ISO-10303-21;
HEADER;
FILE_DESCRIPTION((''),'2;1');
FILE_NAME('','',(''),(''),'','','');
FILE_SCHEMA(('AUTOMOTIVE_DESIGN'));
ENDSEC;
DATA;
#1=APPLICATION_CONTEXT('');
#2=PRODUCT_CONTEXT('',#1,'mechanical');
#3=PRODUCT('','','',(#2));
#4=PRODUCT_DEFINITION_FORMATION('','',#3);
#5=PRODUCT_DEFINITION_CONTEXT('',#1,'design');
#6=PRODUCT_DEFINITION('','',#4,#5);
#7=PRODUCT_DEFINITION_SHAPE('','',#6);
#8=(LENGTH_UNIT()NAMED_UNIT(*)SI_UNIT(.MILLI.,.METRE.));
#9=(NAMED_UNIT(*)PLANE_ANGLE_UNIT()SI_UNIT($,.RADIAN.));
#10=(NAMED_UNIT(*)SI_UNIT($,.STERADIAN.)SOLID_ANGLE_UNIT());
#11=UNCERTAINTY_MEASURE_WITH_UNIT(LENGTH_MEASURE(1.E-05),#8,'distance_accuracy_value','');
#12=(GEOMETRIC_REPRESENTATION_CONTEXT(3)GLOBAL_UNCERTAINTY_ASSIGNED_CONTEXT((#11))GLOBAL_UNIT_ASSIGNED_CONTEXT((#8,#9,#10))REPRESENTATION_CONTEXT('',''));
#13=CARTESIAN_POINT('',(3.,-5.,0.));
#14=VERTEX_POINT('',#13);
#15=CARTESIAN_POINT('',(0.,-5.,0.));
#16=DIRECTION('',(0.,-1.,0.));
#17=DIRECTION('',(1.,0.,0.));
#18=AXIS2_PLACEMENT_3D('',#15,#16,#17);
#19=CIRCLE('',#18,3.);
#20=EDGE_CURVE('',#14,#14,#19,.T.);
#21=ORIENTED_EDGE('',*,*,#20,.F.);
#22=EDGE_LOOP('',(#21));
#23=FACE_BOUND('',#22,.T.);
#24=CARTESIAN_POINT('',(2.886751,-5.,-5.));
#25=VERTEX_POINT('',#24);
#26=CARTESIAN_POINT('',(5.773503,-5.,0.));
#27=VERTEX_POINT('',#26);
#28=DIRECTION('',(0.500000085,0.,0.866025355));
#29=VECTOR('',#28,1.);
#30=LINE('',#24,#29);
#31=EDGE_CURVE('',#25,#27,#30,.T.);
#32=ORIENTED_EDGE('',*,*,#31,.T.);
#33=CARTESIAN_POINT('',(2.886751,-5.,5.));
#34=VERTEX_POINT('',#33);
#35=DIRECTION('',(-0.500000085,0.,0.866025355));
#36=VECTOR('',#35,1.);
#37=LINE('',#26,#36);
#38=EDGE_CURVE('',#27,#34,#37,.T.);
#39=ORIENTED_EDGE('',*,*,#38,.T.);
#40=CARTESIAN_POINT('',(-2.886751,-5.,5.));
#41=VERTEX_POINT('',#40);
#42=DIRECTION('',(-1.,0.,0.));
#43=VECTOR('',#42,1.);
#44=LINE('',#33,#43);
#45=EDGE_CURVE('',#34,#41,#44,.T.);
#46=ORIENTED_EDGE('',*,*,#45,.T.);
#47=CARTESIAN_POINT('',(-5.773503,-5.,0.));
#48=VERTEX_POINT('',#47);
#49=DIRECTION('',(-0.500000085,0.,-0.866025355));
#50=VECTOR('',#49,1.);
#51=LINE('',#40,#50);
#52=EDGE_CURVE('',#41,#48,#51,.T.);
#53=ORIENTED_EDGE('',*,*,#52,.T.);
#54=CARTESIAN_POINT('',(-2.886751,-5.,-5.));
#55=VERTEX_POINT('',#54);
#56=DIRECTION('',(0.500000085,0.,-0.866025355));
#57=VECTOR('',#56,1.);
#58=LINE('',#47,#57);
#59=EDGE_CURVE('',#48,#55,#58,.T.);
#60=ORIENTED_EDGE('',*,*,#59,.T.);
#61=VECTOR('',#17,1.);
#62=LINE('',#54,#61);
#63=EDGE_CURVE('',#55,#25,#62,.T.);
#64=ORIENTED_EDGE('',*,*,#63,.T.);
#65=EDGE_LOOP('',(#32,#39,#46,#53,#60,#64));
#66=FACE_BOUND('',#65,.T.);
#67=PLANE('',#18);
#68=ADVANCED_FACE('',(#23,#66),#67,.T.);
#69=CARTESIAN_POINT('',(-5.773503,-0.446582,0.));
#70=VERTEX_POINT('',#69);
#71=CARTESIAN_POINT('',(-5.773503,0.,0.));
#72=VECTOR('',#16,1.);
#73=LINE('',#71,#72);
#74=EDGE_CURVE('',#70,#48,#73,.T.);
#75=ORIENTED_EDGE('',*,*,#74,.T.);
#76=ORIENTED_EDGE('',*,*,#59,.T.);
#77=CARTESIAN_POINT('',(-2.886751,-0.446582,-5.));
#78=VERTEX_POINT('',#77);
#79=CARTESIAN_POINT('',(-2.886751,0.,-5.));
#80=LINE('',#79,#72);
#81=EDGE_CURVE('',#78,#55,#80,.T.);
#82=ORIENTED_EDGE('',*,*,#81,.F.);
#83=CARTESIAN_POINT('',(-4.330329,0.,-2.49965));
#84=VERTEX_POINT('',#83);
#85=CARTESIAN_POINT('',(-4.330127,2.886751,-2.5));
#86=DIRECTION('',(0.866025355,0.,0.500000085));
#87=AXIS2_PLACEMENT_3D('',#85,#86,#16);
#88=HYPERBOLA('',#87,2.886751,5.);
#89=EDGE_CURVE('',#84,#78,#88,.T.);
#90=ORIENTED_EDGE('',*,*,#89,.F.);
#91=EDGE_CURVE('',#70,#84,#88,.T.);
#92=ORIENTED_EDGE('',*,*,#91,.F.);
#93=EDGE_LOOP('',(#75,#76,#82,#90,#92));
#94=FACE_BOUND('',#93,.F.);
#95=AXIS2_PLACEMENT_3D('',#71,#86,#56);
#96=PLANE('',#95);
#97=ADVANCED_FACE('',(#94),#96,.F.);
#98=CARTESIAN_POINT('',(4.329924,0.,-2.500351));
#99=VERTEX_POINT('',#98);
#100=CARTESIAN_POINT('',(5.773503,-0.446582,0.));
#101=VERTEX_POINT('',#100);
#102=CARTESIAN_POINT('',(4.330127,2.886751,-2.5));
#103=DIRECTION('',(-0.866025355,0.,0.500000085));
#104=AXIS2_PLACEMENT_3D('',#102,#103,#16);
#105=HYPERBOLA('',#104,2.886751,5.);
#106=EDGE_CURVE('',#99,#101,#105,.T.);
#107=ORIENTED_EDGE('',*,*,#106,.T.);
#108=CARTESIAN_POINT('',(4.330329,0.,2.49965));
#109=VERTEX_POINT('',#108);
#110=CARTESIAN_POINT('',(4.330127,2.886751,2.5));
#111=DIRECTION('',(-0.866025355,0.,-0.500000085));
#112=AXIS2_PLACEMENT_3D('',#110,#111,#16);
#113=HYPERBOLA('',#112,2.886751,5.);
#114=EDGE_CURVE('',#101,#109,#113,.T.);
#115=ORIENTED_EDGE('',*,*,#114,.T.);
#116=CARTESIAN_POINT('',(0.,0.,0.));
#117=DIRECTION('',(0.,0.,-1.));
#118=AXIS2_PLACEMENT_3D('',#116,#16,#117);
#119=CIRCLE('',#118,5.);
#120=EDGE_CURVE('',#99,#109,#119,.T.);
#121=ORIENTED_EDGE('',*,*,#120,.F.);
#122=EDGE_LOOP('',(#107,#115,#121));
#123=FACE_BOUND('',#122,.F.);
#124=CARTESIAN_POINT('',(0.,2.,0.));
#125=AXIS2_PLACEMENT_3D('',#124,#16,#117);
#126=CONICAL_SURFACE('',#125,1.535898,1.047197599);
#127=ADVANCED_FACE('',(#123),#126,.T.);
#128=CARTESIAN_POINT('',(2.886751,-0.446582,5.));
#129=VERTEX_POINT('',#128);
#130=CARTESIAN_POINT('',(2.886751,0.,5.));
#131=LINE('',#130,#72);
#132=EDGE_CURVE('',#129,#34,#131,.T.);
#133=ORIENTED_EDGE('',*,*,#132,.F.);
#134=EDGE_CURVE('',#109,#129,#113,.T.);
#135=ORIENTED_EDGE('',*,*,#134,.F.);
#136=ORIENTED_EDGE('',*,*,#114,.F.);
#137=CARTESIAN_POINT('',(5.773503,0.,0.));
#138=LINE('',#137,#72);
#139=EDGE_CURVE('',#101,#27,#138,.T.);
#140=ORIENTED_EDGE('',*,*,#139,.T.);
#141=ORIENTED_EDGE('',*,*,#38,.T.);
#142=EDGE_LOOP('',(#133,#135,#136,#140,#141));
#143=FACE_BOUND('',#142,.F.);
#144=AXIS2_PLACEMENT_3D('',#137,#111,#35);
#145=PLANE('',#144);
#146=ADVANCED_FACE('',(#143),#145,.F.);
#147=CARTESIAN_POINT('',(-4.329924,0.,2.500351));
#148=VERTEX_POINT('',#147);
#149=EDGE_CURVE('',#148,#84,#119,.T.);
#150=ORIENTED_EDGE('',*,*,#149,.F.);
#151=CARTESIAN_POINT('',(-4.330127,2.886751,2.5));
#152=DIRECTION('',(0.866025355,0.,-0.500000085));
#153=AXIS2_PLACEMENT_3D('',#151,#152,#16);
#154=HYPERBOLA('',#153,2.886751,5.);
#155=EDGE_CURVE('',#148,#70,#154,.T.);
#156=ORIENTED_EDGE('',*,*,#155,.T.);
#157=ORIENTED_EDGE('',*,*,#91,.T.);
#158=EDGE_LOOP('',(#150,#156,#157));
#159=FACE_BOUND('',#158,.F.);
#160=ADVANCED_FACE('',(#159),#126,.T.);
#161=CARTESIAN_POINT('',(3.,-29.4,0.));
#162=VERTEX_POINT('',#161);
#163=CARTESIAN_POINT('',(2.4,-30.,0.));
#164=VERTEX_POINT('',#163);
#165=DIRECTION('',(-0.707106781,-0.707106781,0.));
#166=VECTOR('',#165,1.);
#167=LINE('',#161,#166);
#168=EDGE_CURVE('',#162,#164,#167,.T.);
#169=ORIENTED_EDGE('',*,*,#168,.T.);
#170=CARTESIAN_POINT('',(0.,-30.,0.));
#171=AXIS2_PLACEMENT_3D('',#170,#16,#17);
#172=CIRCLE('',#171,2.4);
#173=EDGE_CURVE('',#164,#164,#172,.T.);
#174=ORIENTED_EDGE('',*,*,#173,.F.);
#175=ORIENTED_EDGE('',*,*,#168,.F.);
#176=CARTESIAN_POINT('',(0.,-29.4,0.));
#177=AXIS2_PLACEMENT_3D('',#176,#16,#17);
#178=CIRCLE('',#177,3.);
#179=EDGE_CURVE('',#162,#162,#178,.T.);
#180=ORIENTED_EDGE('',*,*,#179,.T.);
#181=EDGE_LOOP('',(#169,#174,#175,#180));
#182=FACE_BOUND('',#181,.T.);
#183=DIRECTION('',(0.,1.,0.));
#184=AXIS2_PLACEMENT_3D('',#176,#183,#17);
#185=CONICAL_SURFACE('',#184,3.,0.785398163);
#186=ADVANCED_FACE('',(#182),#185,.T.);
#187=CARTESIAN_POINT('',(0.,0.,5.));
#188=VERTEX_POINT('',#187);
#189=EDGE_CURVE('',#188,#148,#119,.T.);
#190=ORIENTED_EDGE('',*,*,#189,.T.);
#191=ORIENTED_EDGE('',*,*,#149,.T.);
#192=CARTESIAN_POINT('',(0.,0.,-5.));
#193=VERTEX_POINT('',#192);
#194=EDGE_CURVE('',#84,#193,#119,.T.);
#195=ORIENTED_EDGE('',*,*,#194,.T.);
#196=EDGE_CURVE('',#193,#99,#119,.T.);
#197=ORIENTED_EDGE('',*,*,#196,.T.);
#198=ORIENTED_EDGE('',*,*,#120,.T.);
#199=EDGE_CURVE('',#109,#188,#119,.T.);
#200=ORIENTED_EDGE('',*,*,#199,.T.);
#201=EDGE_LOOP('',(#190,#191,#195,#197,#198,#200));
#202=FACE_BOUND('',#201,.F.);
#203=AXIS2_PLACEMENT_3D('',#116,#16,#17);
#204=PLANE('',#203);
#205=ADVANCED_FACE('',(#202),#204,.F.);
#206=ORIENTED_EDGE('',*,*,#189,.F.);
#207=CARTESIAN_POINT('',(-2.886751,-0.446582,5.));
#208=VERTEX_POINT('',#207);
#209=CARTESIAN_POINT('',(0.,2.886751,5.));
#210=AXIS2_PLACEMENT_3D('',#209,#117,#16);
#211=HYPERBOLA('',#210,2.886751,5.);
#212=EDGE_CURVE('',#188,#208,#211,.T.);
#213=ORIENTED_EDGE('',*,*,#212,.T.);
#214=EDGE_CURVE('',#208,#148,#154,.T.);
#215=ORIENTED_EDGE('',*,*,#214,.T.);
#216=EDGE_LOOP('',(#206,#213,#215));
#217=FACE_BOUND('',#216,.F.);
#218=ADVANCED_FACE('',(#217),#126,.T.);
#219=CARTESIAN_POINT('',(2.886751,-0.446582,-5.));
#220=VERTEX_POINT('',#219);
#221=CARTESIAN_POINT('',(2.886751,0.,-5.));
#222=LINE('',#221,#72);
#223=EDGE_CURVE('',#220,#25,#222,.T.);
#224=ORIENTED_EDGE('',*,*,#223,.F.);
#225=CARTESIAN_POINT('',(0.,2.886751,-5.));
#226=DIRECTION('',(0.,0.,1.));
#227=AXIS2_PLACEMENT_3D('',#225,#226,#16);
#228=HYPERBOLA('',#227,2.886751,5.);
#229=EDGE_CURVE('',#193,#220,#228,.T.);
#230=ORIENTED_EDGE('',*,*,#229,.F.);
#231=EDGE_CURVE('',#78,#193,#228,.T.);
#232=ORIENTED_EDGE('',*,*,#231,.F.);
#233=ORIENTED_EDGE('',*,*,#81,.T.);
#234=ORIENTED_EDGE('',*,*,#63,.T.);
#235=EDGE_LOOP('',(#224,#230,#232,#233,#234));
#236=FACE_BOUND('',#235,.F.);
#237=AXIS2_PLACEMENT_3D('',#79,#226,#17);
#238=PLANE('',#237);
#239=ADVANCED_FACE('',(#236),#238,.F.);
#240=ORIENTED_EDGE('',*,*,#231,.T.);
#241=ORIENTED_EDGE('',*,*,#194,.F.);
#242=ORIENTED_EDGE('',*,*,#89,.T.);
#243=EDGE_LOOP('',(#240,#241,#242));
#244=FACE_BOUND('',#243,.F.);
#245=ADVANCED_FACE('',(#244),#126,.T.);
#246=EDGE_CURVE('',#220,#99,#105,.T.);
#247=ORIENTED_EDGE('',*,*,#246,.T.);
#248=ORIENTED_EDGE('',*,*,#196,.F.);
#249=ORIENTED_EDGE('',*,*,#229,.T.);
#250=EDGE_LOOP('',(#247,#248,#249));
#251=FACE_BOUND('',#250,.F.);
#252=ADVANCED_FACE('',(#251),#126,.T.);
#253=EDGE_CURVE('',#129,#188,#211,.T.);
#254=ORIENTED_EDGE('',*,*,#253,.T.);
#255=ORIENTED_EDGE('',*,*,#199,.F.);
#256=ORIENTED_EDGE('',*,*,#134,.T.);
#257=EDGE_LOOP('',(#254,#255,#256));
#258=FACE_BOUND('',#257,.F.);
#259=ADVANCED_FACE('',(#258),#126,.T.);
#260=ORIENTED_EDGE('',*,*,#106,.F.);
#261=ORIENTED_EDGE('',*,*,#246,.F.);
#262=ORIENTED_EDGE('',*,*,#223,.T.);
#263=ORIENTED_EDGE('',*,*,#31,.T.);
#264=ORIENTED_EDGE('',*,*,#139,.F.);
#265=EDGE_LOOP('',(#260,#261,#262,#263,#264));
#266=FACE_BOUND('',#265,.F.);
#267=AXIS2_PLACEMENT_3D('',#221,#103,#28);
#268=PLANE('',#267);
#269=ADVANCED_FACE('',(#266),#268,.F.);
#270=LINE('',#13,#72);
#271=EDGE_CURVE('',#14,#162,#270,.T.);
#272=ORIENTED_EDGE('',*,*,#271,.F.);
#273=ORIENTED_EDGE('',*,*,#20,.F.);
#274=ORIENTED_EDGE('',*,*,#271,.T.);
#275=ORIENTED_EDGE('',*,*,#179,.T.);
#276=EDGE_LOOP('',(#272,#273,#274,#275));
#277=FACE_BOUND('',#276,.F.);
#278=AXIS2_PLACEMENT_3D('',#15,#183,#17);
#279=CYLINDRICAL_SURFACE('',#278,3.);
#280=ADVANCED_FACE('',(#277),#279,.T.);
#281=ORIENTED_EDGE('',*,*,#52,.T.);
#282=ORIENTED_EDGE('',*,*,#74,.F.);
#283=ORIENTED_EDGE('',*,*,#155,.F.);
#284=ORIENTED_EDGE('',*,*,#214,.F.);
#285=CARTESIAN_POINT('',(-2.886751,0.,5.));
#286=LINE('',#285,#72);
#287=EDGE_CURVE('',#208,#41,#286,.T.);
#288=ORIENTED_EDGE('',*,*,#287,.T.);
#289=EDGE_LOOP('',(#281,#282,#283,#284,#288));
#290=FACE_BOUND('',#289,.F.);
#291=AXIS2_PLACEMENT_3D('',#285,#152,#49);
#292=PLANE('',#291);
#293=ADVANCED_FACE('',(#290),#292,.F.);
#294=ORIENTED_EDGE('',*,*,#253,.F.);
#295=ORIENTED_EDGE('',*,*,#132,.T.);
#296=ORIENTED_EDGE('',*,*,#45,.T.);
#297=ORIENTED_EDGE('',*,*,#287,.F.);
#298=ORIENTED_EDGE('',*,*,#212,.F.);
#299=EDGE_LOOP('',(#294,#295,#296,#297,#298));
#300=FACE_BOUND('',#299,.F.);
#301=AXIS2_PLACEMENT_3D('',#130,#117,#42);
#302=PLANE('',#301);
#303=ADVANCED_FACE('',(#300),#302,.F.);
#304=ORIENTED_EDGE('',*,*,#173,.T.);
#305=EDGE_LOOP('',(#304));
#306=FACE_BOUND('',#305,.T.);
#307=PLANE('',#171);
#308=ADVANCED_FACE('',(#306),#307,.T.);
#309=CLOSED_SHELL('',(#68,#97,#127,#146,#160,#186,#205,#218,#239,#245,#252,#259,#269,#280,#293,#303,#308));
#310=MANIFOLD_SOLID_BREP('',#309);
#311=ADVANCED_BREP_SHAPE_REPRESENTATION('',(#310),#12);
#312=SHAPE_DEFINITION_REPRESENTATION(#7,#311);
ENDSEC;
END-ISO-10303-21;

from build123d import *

# Parameters (mm, degrees)
F1_DEPTH = 5
F2_R     = 3
F3_DEPTH = 25
F4_SIZE  = 0.6


with BuildPart() as f1:
    # F0 (on Front) → F1 (new body)
    with BuildSketch(Plane.XZ):
        Polygon((2.886751, -5), (5.773503, 0), (2.886751, 5), (-2.886751, 5), (-5.773503, 0), (-2.886751, -5), align=None)
    extrude(amount=F1_DEPTH)

    # F2 (on face) → F3 (join)
    with BuildSketch(Plane.XZ.offset(5)):
        Circle(F2_R)
    extrude(amount=F3_DEPTH)

    # F4
    f4_edges = [f1.edges().sort_by_distance(p)[0] for p in [
        (-3, -30, 0),
    ]]
    chamfer(f4_edges, length=F4_SIZE)

    # F5 (on Right) → F6 (revolve, cut)
    with BuildSketch(Plane.YZ):
        Polygon((2, -1.535898), (-2, -8.464102), (2, -8.464102), align=None)
    revolve(axis=Axis((0, -5, 0), (0, 1, 0)), mode=Mode.SUBTRACT)


solid = f1.part
